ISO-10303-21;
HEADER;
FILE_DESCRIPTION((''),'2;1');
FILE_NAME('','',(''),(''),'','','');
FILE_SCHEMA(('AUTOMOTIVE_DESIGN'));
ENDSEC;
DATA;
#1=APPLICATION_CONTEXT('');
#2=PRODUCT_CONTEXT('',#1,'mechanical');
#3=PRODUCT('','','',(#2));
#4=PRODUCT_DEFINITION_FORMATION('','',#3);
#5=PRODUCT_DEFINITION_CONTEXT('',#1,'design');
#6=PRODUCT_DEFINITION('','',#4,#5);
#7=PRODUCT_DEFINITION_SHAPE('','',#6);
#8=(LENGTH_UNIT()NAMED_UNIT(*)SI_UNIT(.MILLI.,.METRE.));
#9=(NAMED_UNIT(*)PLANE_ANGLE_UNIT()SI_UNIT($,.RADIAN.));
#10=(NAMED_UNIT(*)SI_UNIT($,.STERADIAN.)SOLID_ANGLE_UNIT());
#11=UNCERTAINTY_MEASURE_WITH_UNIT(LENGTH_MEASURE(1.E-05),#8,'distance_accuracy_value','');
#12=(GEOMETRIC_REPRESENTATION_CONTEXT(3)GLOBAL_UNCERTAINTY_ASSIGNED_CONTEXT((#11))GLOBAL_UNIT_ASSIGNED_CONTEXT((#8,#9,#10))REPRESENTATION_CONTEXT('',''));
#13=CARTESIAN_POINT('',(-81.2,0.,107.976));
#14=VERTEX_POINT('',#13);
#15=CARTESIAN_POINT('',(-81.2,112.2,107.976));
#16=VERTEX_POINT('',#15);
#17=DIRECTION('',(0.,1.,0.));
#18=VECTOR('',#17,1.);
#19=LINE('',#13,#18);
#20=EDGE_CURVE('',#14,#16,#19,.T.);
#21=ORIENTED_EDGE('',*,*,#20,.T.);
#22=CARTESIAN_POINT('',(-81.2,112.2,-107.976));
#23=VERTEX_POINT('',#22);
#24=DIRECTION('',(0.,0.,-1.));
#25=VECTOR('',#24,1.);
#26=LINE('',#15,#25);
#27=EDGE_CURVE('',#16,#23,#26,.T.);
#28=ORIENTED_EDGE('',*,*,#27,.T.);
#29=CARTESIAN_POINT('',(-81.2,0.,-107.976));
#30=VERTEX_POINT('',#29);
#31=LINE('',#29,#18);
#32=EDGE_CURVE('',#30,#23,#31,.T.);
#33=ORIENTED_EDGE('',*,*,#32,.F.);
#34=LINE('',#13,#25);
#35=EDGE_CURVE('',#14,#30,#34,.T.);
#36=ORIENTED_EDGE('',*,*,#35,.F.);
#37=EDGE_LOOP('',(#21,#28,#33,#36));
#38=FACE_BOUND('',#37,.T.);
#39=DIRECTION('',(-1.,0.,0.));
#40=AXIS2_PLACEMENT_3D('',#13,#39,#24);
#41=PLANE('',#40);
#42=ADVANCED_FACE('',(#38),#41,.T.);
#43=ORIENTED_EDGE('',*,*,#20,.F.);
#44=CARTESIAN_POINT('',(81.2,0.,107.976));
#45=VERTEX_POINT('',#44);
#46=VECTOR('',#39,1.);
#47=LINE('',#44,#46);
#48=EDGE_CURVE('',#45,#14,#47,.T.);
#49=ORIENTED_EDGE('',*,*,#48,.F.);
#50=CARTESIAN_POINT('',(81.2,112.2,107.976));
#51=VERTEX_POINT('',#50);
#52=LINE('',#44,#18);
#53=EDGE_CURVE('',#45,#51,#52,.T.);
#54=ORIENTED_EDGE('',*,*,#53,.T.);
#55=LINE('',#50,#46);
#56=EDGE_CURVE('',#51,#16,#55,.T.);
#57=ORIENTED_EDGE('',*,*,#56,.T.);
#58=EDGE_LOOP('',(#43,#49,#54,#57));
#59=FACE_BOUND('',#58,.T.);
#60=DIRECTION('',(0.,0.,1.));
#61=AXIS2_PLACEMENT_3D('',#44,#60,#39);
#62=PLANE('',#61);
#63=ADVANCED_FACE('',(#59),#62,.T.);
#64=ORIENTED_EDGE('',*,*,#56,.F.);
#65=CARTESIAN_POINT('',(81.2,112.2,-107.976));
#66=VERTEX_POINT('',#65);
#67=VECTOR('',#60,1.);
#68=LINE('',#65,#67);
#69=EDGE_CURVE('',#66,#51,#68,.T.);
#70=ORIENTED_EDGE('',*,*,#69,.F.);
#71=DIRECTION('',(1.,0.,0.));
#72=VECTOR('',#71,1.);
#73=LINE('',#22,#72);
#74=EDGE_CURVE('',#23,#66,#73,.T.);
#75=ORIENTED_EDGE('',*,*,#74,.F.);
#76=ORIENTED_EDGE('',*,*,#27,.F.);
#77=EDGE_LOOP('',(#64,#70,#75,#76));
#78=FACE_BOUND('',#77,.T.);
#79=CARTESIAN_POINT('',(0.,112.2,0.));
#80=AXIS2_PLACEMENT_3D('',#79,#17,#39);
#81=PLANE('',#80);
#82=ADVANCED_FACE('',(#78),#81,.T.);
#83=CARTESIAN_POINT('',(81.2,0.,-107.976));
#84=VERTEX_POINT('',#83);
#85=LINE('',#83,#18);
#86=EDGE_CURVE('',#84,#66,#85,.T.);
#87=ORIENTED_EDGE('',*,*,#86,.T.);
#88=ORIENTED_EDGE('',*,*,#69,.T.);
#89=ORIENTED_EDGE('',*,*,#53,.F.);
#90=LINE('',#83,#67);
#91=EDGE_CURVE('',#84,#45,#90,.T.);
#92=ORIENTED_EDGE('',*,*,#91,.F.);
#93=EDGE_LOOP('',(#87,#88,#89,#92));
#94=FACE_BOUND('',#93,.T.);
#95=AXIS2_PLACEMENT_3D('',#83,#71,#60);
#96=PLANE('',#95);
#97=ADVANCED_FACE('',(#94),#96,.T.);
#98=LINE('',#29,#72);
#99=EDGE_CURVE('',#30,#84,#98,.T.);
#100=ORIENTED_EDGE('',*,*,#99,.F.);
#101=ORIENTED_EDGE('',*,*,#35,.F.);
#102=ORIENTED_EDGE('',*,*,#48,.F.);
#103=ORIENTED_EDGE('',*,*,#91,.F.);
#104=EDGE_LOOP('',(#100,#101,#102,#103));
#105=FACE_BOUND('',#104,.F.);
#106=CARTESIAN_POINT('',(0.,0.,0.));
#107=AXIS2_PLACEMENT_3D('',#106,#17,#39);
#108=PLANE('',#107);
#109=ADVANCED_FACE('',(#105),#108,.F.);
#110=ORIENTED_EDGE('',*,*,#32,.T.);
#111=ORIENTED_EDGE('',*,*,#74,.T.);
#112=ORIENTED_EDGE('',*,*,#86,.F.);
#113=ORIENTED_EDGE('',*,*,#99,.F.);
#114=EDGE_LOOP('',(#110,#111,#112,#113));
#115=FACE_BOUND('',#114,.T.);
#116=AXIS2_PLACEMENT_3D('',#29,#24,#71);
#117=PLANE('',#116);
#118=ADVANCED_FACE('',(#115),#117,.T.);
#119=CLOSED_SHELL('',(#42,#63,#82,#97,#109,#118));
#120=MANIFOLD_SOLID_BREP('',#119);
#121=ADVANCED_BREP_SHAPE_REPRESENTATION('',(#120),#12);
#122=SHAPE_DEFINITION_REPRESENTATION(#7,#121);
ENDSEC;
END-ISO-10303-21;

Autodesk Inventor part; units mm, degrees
ref_plane "YZ Plane" through (0, 0, 0) normal (1, 0, 0) x (0, 1, 0)
ref_plane "XZ Plane" through (0, 0, 0) normal (0, 1, 0) x (-1, 0, 0)
ref_plane "XY Plane" through (0, 0, 0) normal (0, 0, 1) x (1, 0, 0)
sketch "Sketch1" plane through (0, 0, 0) normal (0, 1, 0) x (-1, 0, 0)
  line L0 (-81.2, 107.976) -> (81.2, 107.976)
  line L1 (81.2, 107.976) -> (81.2, -107.976)
  line L2 (81.2, -107.976) -> (-81.2, -107.976)
  line L3 (-81.2, -107.976) -> (-81.2, 107.976)
  line L4 (-81.2, 107.976) -> (81.2, -107.976) construction
  line L5 (81.2, 107.976) -> (-81.2, -107.976) construction
  point P0 (0, 0)
  dimension "d0" = 162.4
  dimension "d1" = 215.952
extrude "Extrusion1" add sketch "Sketch1" along normal blind 112.2
properties part number "INTERNALCOMPONENTSPLACEHOLDER"
